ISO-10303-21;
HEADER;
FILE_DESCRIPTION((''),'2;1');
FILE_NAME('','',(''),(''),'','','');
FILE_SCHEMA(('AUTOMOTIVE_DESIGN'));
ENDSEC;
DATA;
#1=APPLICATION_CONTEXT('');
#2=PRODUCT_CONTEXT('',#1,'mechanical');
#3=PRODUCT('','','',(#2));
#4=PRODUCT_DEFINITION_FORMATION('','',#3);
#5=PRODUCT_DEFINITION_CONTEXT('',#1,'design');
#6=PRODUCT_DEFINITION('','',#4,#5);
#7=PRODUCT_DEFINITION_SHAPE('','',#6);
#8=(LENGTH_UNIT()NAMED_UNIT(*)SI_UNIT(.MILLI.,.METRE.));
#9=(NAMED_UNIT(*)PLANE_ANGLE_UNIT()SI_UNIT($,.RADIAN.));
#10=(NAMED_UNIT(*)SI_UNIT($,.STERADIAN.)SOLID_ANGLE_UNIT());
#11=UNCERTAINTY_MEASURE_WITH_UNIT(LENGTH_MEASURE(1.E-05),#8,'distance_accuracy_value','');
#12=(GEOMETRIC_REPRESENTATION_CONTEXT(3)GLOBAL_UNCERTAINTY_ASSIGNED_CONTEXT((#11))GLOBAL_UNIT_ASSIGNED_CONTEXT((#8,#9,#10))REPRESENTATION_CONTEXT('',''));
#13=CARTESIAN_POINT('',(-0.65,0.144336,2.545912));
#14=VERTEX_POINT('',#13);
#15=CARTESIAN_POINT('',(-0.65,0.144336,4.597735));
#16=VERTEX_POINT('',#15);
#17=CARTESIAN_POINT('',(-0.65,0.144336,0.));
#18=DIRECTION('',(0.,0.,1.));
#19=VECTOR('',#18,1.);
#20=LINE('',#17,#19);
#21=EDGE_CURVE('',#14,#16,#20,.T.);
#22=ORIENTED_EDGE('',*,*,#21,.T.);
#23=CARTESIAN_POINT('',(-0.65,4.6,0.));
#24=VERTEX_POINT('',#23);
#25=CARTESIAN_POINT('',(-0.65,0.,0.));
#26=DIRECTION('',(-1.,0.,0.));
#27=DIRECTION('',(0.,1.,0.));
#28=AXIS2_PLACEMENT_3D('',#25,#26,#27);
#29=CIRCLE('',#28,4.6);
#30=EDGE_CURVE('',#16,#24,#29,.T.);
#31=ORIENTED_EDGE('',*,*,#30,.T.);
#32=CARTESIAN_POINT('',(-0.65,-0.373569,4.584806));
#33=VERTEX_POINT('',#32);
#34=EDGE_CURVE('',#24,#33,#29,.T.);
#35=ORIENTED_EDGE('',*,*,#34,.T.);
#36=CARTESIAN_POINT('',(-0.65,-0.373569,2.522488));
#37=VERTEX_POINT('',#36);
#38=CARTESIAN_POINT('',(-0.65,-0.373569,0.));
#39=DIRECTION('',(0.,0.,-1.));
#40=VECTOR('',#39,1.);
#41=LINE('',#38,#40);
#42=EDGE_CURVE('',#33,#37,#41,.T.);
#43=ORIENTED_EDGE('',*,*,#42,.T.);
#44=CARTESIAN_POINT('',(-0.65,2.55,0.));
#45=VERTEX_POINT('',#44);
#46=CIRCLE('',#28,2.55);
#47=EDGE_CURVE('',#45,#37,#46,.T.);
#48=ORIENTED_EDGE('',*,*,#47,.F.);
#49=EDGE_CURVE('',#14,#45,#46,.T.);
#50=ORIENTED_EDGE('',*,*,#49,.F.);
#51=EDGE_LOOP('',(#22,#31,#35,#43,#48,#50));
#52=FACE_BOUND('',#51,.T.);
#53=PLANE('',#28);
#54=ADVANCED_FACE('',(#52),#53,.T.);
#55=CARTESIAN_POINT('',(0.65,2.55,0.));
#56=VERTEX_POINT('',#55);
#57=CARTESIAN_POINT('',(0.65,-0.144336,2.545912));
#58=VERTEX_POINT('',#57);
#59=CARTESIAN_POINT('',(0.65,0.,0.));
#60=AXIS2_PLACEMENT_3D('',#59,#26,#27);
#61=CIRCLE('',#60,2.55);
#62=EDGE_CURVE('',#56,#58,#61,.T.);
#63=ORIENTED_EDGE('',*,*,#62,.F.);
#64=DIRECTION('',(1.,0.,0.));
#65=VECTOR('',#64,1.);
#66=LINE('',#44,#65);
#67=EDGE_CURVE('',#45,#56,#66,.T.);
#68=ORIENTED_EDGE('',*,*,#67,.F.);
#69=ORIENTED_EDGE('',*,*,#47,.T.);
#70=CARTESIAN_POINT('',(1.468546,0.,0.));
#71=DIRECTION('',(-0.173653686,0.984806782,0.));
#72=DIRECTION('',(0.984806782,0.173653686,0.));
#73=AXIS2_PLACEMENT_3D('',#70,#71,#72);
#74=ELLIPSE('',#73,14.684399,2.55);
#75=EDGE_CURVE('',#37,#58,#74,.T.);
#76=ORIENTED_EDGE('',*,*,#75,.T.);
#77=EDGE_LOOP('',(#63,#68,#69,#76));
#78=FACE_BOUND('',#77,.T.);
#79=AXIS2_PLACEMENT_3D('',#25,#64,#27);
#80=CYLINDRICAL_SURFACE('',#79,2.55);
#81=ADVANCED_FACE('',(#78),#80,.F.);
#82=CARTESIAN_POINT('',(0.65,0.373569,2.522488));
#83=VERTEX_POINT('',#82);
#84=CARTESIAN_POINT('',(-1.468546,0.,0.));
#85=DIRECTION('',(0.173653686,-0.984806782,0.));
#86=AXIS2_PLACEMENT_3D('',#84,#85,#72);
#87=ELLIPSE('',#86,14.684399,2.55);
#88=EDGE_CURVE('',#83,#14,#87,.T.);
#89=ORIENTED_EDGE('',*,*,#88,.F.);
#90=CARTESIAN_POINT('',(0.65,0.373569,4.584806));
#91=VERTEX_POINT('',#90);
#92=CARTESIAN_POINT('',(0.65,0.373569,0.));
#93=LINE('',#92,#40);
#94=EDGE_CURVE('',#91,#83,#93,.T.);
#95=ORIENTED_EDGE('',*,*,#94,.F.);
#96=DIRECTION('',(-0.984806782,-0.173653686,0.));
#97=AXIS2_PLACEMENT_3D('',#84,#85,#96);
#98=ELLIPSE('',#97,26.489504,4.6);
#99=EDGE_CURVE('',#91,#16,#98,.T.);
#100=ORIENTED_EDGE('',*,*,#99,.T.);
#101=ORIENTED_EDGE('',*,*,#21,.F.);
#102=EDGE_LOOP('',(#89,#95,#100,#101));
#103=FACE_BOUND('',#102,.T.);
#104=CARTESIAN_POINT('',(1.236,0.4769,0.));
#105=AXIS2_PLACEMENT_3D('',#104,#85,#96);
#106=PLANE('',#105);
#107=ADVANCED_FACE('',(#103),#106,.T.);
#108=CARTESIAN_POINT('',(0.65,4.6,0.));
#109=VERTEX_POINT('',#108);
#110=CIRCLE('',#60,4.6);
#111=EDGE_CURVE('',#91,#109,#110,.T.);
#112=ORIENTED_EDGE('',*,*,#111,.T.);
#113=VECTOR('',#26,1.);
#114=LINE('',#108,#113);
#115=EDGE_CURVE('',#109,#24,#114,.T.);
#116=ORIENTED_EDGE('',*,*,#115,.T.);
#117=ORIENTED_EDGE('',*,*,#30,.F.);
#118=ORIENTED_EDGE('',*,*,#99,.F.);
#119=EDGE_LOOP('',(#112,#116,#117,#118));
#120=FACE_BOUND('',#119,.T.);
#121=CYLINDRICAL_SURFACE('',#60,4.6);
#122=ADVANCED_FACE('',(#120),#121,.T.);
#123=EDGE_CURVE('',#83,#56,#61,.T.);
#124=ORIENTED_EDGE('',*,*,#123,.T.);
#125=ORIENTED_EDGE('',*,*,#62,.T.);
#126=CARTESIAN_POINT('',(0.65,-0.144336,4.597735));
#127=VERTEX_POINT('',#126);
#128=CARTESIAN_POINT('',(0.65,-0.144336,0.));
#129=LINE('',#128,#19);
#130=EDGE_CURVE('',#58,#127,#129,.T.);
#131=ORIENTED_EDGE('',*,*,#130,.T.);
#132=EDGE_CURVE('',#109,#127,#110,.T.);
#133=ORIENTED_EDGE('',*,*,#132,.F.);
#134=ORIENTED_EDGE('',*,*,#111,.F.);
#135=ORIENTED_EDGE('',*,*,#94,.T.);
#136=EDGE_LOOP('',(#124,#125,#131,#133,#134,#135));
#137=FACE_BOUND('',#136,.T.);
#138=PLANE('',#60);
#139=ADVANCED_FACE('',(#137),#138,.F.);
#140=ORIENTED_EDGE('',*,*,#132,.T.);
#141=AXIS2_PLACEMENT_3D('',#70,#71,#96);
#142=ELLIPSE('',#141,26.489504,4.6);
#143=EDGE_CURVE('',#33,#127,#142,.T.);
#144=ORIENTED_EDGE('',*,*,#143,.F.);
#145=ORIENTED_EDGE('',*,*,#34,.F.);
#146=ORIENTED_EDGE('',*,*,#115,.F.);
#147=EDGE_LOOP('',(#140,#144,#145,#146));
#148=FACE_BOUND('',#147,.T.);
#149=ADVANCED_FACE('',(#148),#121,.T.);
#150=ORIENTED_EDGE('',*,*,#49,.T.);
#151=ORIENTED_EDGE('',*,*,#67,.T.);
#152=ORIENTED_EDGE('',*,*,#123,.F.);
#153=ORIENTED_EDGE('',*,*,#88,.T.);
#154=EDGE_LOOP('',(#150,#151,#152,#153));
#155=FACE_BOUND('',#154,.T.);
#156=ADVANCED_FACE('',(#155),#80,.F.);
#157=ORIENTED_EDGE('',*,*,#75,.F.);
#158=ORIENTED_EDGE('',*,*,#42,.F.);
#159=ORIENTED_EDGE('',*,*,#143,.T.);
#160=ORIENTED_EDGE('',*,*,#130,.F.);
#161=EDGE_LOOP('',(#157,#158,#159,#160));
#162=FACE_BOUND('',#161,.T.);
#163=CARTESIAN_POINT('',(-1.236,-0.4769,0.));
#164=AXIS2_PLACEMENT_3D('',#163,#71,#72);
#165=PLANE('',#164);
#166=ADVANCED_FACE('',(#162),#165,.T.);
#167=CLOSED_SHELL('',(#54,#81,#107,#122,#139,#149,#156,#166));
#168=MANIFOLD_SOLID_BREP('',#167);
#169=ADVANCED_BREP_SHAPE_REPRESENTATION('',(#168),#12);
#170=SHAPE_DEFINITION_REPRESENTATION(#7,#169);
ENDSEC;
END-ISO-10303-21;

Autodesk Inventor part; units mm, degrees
sketch "Sketch_1" plane through (0, 0, 0) normal (0, 0, 1) x (1, 0, 0)
  line L0 (0.65, 0) -> (-0.65, 0)
  line L1 (-0.65, 2.55) -> (0.65, 2.55)
  line L2 (0.65, 2.55) -> (0.65, 4.6)
  line L3 (0.65, 4.6) -> (-0.65, 4.6)
  line L4 (-0.65, 4.6) -> (-0.65, 2.55)
revolve "Revolution1" add sketch "Sketch_1" angle 360 about axis through (0.65, 0, 0) along (-1, 0, 0)
sketch "Sketch_2" plane through (0, 0, 0) normal (0, 0, 1) x (1, 0, 0)
  line L0 (-1.3245, 0.0254) -> (-1.236, -0.4769)
  line L1 (-1.236, -0.4769) -> (1.3245, -0.0254)
  line L2 (1.3245, -0.0254) -> (1.236, 0.4769)
  line L3 (1.236, 0.4769) -> (-1.3245, 0.0254)
extrude "Extrusion1" cut sketch "Sketch_2" along normal blind 9.2
ref_plane "spring_washer_to_bolt_XY" through (0, 0, 0) normal (1, 0, 0) x (0, 0, -1)
ref_plane "spring_washer_to_bolt_YZ" through (0, 0, 0) normal (0, 0, -1) x (0, 1, 0)
ref_plane "spring_washer_to_bolt_ZX" through (0, 0, 0) normal (0, 1, 0) x (1, 0, 0)
properties part number "SLW5" material "MISUMI"
